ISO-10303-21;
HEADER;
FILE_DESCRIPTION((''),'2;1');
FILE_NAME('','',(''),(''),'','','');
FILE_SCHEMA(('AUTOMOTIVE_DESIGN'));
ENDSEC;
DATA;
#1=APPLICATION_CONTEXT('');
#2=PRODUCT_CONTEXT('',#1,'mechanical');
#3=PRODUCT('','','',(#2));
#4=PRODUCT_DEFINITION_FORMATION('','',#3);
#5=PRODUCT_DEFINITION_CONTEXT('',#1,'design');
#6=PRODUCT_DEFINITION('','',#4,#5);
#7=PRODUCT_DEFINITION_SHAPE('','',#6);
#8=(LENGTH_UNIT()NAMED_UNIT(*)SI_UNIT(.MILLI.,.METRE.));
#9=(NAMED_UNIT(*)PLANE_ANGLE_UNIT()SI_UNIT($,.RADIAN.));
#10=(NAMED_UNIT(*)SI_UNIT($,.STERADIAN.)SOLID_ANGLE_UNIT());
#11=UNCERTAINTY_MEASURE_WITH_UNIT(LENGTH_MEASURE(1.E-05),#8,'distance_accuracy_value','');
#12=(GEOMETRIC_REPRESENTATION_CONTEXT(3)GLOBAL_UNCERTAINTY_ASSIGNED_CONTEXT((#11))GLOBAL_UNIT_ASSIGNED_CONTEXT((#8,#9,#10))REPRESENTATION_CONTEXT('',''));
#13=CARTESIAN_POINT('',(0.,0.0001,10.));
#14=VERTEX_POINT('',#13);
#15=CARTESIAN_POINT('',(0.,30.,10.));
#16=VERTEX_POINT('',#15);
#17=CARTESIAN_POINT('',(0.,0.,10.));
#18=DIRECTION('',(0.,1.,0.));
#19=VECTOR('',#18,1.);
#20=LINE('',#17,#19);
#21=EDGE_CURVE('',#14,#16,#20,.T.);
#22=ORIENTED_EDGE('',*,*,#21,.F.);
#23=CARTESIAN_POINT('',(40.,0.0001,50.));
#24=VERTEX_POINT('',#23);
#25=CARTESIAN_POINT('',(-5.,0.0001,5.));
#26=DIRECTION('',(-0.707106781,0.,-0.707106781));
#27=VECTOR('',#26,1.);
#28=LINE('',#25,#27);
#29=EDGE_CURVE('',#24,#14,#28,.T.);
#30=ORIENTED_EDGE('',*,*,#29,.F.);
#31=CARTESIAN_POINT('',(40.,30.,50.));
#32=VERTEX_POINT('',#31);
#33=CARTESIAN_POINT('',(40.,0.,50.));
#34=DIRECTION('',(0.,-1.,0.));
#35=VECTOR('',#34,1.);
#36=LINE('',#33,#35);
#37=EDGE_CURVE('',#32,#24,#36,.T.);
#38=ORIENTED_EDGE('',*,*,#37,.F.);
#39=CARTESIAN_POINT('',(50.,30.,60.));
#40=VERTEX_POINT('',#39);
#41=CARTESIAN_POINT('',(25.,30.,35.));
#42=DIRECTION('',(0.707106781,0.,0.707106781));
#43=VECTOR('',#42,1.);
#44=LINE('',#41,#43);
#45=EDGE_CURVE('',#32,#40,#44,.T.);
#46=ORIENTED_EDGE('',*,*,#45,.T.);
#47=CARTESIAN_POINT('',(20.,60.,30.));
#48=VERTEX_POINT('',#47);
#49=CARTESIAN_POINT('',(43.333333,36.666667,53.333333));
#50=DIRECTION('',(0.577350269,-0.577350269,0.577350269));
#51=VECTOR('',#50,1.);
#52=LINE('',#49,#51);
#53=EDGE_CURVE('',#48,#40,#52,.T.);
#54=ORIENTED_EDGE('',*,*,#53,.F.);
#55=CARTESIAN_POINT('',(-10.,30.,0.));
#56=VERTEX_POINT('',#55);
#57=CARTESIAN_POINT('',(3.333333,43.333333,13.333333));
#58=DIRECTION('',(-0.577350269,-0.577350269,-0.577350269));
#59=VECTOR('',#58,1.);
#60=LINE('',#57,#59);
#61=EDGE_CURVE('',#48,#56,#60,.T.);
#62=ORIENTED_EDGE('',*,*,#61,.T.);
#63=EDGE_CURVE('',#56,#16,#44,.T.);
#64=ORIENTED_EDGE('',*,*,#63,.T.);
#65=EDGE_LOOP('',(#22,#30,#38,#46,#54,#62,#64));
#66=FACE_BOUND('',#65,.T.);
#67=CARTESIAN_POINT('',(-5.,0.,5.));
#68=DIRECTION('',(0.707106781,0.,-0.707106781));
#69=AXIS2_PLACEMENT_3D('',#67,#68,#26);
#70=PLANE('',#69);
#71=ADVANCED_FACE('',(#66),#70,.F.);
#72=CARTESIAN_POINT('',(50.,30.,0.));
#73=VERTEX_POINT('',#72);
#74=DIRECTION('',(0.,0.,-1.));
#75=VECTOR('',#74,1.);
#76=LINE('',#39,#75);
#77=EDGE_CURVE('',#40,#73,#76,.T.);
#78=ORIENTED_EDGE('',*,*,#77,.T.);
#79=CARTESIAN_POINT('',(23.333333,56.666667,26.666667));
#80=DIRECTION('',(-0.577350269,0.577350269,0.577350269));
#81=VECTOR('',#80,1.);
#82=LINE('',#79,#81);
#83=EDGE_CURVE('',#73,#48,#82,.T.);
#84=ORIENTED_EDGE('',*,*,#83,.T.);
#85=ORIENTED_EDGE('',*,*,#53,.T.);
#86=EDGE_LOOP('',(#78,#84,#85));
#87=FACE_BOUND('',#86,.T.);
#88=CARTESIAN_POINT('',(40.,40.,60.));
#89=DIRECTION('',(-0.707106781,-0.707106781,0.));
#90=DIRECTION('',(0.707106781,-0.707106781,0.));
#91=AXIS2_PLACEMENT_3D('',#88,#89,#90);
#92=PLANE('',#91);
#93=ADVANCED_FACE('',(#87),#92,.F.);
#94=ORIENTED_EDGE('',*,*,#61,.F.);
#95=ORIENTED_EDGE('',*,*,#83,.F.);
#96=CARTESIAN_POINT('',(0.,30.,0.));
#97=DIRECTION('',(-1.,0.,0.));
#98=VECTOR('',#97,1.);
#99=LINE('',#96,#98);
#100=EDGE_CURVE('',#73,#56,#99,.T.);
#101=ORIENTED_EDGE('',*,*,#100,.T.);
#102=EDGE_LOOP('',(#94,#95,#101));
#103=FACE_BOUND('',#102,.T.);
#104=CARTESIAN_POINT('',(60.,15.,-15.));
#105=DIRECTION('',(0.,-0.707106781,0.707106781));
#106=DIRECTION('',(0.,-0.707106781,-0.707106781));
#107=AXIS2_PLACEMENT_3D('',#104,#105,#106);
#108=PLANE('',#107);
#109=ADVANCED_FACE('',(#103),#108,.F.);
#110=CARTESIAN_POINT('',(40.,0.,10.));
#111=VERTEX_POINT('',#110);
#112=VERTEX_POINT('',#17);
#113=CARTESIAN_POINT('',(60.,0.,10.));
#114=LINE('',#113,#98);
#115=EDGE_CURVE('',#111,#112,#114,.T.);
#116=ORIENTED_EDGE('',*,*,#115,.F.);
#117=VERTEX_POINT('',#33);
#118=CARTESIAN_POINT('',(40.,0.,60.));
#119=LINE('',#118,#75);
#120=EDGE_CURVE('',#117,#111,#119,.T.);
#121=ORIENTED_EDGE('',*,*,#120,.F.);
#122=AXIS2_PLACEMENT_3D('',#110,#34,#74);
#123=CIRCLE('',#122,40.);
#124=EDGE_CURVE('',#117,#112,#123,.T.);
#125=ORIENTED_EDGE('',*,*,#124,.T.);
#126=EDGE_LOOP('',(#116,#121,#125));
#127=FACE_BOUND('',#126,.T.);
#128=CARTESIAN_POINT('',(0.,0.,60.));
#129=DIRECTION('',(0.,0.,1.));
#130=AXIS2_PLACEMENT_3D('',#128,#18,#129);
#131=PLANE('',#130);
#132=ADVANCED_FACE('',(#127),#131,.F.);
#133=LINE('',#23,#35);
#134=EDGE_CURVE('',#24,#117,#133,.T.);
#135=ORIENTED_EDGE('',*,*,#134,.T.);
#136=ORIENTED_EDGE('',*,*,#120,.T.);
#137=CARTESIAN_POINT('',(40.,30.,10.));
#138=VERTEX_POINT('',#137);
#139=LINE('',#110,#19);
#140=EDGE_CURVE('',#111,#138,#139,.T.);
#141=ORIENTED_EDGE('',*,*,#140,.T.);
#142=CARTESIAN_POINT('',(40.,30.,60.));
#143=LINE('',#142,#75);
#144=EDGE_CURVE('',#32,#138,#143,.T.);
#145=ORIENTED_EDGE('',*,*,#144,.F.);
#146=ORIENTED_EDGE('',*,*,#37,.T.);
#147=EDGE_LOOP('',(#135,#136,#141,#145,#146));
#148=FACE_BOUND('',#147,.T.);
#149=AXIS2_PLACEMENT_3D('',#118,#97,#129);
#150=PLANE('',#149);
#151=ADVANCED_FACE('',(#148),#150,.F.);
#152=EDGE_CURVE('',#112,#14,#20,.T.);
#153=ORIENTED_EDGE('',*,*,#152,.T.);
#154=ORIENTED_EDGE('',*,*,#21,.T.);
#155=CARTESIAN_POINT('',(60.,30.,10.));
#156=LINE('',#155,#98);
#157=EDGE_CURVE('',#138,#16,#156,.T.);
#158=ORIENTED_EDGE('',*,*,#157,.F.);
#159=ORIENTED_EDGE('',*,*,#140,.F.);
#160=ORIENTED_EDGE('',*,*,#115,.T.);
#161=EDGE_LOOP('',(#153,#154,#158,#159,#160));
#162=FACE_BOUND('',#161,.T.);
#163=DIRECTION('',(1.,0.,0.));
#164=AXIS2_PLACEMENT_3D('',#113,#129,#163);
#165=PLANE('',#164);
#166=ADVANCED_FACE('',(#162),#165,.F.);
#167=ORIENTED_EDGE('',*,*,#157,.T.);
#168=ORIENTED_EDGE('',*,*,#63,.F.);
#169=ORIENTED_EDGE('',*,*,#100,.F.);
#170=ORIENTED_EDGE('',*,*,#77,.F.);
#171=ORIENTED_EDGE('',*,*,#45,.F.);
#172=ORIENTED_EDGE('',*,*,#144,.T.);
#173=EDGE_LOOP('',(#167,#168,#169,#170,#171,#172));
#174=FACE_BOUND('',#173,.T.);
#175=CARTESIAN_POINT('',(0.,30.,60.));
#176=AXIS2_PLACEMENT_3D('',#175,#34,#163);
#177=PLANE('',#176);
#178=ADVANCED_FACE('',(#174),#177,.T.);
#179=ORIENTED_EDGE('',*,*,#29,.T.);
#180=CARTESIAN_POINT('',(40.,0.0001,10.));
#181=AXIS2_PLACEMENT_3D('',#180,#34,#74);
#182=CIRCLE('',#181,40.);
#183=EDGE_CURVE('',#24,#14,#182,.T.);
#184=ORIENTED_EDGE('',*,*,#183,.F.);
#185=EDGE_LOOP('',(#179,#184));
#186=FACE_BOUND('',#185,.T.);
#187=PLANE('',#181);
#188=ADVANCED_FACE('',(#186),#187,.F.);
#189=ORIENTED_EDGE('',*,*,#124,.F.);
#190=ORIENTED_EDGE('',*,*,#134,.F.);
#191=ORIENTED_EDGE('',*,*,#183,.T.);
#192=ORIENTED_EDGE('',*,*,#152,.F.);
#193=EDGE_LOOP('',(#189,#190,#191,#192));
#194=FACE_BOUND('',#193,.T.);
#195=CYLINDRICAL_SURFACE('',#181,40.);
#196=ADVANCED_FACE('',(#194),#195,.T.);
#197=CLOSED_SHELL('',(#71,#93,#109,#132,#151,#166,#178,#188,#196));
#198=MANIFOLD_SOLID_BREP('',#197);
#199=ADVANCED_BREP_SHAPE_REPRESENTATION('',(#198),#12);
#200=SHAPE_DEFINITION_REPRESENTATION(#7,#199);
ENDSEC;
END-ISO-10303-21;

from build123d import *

# Parameters (mm, degrees)
SKETCH1_W           = 40
SKETCH1_H           = 30
BOSS_EXTRUDE2_DEPTH = 60
SKETCH3_W           = 10
SKETCH3_H           = 30
CUT_EXTRUDE1_DEPTH  = 60
CUT_EXTRUDE2_DEPTH  = 60
CUT_EXTRUDE3_DEPTH  = 60
CUT_EXTRUDE4_DEPTH  = 60
BOSS_EXTRUDE7_DEPTH = 0.0001


with BuildPart() as part:
    # Sketch1 → Boss-Extrude2 (new body)
    with BuildSketch(Plane.XY):
        Polygon((50, 30), (20, 60), (-10, 30), (0, 30), (40, 30), align=None)
        with Locations((20, 15)):
            Rectangle(SKETCH1_W, SKETCH1_H)
    extrude(amount=BOSS_EXTRUDE2_DEPTH)

    # Sketch3 → Cut-Extrude1 (cut)
    with BuildSketch(Plane(origin=(0, 0, 0), x_dir=(0, 0, -1), z_dir=(1, 0, 0))):
        Polygon((-30, 60), (0, 60), (0, 30), align=None)
        Polygon((-60, 30), (-60, 60), (-30, 60), align=None)
        with Locations((-5, 15)):
            Rectangle(SKETCH3_W, SKETCH3_H)
        with Locations((-55, 15)):
            Rectangle(SKETCH3_W, SKETCH3_H)
    extrude(amount=CUT_EXTRUDE1_DEPTH, mode=Mode.SUBTRACT)

    # Sketch4 → Cut-Extrude2 (cut)
    with BuildSketch(Plane(origin=(0, 0, 0), x_dir=(0, 0, -1), z_dir=(1, 0, 0))):
        Polygon((-60, 30), (-50, 40), (-60, 40), align=None)
    extrude(amount=-CUT_EXTRUDE2_DEPTH, mode=Mode.SUBTRACT)

    # Sketch5 → Cut-Extrude3 (cut)
    with BuildSketch(Plane(origin=(0, 0, 0), x_dir=(0, 0, -1), z_dir=(1, 0, 0))):
        Polygon((-10, 40), (0, 40), (0, 30), align=None)
    extrude(amount=-CUT_EXTRUDE3_DEPTH, mode=Mode.SUBTRACT)

    # Sketch6 → Cut-Extrude4 (cut)
    with BuildSketch(Plane(origin=(0, 60, 0), x_dir=(1, 0, 0), z_dir=(0, 1, 0))):
        Polygon((-10, 0), (-10, -60), (50, -60), align=None)
    extrude(amount=-CUT_EXTRUDE4_DEPTH, mode=Mode.SUBTRACT)

    # Sketch7 → Boss-Extrude7 (add)
    with BuildSketch(Plane.XZ):
        with BuildLine():
            Line((0, 10), (40, 10))
            Line((40, 10), (40, 50))
            ThreePointArc((40, 50), (11.715728753, 38.284271247), (0, 10))
        make_face()
    extrude(amount=-BOSS_EXTRUDE7_DEPTH)


solid = part.part
